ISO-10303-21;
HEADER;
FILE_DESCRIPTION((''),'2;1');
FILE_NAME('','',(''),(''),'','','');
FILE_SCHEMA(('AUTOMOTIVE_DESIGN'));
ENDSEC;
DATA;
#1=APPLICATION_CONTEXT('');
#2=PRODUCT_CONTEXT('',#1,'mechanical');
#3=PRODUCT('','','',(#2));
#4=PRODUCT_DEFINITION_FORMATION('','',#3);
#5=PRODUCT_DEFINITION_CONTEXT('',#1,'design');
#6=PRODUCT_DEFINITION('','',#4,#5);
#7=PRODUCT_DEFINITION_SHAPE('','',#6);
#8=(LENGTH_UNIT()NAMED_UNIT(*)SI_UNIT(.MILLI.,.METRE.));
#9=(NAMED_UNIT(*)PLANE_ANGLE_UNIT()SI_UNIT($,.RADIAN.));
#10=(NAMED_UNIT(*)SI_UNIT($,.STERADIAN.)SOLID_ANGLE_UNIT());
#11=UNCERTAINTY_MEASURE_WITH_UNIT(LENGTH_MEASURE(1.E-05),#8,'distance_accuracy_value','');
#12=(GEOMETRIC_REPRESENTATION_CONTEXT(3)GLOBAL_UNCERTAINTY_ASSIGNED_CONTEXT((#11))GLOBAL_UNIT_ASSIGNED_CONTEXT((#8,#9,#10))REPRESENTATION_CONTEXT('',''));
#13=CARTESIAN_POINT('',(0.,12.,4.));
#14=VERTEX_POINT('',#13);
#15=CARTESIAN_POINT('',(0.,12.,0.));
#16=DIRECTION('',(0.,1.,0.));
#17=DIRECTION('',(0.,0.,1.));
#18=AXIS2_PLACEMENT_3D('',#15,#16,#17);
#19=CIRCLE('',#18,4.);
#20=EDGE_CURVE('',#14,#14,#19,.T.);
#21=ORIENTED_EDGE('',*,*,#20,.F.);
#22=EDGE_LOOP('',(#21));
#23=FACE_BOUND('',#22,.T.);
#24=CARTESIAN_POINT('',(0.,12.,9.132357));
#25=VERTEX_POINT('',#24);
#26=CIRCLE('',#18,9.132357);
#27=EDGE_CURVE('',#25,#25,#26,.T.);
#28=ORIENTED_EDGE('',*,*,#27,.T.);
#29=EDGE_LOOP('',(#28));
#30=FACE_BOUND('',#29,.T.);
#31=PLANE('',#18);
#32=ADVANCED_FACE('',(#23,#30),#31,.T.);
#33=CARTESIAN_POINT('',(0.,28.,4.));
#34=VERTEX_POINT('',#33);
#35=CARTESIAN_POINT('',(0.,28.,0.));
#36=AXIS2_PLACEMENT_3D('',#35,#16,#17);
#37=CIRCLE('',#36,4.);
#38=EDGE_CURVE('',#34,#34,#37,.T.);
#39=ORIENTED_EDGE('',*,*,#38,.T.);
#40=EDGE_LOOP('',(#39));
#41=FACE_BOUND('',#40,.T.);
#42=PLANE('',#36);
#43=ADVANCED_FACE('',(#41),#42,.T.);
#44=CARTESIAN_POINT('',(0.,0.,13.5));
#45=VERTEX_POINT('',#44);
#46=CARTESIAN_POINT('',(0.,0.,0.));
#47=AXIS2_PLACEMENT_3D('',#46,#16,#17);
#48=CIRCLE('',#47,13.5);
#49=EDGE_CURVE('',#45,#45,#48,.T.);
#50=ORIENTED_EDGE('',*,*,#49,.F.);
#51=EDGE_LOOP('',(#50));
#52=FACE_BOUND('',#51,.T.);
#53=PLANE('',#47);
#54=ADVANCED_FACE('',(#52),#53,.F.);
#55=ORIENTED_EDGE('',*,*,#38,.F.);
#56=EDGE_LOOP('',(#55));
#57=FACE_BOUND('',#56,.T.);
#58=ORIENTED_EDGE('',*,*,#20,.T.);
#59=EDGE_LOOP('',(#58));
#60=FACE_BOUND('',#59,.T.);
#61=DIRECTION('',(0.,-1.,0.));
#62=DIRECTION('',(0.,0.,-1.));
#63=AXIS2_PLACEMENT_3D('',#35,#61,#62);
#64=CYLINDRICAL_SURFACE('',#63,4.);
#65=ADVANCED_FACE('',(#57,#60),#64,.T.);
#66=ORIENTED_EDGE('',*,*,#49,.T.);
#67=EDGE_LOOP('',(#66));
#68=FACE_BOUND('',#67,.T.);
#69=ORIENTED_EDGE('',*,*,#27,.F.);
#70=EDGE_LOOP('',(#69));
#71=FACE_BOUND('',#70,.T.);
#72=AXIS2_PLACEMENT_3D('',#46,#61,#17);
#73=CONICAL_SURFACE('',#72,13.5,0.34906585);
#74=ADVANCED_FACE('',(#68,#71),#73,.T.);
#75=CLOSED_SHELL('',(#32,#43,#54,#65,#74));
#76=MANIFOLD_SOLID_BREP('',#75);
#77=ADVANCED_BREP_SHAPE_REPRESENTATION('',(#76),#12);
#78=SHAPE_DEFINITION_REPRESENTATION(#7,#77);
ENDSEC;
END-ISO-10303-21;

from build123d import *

# Parameters (mm, degrees)
SKETCH2_R           = 13.5
BOSS_EXTRUDE1_DEPTH = 12
BOSS_EXTRUDE1_TAPER = 20
SKETCH3_R           = 4
BOSS_EXTRUDE2_DEPTH = 16


with BuildPart() as part:
    # Sketch2 → Boss-Extrude1 (new body)
    with BuildSketch(Plane(origin=(0, 0, 0), x_dir=(1, 0, 0), z_dir=(0, 1, 0))):
        Circle(SKETCH2_R)
    extrude(amount=BOSS_EXTRUDE1_DEPTH, taper=BOSS_EXTRUDE1_TAPER)

    # Sketch3 → Boss-Extrude2 (add)
    with BuildSketch(Plane(origin=(0, 12, 0), x_dir=(1, 0, 0), z_dir=(0, 1, 0))):
        with Locations(Location((0, 0, 0), (0, 0, 270))):
            Circle(SKETCH3_R)
    extrude(amount=BOSS_EXTRUDE2_DEPTH)


solid = part.part
